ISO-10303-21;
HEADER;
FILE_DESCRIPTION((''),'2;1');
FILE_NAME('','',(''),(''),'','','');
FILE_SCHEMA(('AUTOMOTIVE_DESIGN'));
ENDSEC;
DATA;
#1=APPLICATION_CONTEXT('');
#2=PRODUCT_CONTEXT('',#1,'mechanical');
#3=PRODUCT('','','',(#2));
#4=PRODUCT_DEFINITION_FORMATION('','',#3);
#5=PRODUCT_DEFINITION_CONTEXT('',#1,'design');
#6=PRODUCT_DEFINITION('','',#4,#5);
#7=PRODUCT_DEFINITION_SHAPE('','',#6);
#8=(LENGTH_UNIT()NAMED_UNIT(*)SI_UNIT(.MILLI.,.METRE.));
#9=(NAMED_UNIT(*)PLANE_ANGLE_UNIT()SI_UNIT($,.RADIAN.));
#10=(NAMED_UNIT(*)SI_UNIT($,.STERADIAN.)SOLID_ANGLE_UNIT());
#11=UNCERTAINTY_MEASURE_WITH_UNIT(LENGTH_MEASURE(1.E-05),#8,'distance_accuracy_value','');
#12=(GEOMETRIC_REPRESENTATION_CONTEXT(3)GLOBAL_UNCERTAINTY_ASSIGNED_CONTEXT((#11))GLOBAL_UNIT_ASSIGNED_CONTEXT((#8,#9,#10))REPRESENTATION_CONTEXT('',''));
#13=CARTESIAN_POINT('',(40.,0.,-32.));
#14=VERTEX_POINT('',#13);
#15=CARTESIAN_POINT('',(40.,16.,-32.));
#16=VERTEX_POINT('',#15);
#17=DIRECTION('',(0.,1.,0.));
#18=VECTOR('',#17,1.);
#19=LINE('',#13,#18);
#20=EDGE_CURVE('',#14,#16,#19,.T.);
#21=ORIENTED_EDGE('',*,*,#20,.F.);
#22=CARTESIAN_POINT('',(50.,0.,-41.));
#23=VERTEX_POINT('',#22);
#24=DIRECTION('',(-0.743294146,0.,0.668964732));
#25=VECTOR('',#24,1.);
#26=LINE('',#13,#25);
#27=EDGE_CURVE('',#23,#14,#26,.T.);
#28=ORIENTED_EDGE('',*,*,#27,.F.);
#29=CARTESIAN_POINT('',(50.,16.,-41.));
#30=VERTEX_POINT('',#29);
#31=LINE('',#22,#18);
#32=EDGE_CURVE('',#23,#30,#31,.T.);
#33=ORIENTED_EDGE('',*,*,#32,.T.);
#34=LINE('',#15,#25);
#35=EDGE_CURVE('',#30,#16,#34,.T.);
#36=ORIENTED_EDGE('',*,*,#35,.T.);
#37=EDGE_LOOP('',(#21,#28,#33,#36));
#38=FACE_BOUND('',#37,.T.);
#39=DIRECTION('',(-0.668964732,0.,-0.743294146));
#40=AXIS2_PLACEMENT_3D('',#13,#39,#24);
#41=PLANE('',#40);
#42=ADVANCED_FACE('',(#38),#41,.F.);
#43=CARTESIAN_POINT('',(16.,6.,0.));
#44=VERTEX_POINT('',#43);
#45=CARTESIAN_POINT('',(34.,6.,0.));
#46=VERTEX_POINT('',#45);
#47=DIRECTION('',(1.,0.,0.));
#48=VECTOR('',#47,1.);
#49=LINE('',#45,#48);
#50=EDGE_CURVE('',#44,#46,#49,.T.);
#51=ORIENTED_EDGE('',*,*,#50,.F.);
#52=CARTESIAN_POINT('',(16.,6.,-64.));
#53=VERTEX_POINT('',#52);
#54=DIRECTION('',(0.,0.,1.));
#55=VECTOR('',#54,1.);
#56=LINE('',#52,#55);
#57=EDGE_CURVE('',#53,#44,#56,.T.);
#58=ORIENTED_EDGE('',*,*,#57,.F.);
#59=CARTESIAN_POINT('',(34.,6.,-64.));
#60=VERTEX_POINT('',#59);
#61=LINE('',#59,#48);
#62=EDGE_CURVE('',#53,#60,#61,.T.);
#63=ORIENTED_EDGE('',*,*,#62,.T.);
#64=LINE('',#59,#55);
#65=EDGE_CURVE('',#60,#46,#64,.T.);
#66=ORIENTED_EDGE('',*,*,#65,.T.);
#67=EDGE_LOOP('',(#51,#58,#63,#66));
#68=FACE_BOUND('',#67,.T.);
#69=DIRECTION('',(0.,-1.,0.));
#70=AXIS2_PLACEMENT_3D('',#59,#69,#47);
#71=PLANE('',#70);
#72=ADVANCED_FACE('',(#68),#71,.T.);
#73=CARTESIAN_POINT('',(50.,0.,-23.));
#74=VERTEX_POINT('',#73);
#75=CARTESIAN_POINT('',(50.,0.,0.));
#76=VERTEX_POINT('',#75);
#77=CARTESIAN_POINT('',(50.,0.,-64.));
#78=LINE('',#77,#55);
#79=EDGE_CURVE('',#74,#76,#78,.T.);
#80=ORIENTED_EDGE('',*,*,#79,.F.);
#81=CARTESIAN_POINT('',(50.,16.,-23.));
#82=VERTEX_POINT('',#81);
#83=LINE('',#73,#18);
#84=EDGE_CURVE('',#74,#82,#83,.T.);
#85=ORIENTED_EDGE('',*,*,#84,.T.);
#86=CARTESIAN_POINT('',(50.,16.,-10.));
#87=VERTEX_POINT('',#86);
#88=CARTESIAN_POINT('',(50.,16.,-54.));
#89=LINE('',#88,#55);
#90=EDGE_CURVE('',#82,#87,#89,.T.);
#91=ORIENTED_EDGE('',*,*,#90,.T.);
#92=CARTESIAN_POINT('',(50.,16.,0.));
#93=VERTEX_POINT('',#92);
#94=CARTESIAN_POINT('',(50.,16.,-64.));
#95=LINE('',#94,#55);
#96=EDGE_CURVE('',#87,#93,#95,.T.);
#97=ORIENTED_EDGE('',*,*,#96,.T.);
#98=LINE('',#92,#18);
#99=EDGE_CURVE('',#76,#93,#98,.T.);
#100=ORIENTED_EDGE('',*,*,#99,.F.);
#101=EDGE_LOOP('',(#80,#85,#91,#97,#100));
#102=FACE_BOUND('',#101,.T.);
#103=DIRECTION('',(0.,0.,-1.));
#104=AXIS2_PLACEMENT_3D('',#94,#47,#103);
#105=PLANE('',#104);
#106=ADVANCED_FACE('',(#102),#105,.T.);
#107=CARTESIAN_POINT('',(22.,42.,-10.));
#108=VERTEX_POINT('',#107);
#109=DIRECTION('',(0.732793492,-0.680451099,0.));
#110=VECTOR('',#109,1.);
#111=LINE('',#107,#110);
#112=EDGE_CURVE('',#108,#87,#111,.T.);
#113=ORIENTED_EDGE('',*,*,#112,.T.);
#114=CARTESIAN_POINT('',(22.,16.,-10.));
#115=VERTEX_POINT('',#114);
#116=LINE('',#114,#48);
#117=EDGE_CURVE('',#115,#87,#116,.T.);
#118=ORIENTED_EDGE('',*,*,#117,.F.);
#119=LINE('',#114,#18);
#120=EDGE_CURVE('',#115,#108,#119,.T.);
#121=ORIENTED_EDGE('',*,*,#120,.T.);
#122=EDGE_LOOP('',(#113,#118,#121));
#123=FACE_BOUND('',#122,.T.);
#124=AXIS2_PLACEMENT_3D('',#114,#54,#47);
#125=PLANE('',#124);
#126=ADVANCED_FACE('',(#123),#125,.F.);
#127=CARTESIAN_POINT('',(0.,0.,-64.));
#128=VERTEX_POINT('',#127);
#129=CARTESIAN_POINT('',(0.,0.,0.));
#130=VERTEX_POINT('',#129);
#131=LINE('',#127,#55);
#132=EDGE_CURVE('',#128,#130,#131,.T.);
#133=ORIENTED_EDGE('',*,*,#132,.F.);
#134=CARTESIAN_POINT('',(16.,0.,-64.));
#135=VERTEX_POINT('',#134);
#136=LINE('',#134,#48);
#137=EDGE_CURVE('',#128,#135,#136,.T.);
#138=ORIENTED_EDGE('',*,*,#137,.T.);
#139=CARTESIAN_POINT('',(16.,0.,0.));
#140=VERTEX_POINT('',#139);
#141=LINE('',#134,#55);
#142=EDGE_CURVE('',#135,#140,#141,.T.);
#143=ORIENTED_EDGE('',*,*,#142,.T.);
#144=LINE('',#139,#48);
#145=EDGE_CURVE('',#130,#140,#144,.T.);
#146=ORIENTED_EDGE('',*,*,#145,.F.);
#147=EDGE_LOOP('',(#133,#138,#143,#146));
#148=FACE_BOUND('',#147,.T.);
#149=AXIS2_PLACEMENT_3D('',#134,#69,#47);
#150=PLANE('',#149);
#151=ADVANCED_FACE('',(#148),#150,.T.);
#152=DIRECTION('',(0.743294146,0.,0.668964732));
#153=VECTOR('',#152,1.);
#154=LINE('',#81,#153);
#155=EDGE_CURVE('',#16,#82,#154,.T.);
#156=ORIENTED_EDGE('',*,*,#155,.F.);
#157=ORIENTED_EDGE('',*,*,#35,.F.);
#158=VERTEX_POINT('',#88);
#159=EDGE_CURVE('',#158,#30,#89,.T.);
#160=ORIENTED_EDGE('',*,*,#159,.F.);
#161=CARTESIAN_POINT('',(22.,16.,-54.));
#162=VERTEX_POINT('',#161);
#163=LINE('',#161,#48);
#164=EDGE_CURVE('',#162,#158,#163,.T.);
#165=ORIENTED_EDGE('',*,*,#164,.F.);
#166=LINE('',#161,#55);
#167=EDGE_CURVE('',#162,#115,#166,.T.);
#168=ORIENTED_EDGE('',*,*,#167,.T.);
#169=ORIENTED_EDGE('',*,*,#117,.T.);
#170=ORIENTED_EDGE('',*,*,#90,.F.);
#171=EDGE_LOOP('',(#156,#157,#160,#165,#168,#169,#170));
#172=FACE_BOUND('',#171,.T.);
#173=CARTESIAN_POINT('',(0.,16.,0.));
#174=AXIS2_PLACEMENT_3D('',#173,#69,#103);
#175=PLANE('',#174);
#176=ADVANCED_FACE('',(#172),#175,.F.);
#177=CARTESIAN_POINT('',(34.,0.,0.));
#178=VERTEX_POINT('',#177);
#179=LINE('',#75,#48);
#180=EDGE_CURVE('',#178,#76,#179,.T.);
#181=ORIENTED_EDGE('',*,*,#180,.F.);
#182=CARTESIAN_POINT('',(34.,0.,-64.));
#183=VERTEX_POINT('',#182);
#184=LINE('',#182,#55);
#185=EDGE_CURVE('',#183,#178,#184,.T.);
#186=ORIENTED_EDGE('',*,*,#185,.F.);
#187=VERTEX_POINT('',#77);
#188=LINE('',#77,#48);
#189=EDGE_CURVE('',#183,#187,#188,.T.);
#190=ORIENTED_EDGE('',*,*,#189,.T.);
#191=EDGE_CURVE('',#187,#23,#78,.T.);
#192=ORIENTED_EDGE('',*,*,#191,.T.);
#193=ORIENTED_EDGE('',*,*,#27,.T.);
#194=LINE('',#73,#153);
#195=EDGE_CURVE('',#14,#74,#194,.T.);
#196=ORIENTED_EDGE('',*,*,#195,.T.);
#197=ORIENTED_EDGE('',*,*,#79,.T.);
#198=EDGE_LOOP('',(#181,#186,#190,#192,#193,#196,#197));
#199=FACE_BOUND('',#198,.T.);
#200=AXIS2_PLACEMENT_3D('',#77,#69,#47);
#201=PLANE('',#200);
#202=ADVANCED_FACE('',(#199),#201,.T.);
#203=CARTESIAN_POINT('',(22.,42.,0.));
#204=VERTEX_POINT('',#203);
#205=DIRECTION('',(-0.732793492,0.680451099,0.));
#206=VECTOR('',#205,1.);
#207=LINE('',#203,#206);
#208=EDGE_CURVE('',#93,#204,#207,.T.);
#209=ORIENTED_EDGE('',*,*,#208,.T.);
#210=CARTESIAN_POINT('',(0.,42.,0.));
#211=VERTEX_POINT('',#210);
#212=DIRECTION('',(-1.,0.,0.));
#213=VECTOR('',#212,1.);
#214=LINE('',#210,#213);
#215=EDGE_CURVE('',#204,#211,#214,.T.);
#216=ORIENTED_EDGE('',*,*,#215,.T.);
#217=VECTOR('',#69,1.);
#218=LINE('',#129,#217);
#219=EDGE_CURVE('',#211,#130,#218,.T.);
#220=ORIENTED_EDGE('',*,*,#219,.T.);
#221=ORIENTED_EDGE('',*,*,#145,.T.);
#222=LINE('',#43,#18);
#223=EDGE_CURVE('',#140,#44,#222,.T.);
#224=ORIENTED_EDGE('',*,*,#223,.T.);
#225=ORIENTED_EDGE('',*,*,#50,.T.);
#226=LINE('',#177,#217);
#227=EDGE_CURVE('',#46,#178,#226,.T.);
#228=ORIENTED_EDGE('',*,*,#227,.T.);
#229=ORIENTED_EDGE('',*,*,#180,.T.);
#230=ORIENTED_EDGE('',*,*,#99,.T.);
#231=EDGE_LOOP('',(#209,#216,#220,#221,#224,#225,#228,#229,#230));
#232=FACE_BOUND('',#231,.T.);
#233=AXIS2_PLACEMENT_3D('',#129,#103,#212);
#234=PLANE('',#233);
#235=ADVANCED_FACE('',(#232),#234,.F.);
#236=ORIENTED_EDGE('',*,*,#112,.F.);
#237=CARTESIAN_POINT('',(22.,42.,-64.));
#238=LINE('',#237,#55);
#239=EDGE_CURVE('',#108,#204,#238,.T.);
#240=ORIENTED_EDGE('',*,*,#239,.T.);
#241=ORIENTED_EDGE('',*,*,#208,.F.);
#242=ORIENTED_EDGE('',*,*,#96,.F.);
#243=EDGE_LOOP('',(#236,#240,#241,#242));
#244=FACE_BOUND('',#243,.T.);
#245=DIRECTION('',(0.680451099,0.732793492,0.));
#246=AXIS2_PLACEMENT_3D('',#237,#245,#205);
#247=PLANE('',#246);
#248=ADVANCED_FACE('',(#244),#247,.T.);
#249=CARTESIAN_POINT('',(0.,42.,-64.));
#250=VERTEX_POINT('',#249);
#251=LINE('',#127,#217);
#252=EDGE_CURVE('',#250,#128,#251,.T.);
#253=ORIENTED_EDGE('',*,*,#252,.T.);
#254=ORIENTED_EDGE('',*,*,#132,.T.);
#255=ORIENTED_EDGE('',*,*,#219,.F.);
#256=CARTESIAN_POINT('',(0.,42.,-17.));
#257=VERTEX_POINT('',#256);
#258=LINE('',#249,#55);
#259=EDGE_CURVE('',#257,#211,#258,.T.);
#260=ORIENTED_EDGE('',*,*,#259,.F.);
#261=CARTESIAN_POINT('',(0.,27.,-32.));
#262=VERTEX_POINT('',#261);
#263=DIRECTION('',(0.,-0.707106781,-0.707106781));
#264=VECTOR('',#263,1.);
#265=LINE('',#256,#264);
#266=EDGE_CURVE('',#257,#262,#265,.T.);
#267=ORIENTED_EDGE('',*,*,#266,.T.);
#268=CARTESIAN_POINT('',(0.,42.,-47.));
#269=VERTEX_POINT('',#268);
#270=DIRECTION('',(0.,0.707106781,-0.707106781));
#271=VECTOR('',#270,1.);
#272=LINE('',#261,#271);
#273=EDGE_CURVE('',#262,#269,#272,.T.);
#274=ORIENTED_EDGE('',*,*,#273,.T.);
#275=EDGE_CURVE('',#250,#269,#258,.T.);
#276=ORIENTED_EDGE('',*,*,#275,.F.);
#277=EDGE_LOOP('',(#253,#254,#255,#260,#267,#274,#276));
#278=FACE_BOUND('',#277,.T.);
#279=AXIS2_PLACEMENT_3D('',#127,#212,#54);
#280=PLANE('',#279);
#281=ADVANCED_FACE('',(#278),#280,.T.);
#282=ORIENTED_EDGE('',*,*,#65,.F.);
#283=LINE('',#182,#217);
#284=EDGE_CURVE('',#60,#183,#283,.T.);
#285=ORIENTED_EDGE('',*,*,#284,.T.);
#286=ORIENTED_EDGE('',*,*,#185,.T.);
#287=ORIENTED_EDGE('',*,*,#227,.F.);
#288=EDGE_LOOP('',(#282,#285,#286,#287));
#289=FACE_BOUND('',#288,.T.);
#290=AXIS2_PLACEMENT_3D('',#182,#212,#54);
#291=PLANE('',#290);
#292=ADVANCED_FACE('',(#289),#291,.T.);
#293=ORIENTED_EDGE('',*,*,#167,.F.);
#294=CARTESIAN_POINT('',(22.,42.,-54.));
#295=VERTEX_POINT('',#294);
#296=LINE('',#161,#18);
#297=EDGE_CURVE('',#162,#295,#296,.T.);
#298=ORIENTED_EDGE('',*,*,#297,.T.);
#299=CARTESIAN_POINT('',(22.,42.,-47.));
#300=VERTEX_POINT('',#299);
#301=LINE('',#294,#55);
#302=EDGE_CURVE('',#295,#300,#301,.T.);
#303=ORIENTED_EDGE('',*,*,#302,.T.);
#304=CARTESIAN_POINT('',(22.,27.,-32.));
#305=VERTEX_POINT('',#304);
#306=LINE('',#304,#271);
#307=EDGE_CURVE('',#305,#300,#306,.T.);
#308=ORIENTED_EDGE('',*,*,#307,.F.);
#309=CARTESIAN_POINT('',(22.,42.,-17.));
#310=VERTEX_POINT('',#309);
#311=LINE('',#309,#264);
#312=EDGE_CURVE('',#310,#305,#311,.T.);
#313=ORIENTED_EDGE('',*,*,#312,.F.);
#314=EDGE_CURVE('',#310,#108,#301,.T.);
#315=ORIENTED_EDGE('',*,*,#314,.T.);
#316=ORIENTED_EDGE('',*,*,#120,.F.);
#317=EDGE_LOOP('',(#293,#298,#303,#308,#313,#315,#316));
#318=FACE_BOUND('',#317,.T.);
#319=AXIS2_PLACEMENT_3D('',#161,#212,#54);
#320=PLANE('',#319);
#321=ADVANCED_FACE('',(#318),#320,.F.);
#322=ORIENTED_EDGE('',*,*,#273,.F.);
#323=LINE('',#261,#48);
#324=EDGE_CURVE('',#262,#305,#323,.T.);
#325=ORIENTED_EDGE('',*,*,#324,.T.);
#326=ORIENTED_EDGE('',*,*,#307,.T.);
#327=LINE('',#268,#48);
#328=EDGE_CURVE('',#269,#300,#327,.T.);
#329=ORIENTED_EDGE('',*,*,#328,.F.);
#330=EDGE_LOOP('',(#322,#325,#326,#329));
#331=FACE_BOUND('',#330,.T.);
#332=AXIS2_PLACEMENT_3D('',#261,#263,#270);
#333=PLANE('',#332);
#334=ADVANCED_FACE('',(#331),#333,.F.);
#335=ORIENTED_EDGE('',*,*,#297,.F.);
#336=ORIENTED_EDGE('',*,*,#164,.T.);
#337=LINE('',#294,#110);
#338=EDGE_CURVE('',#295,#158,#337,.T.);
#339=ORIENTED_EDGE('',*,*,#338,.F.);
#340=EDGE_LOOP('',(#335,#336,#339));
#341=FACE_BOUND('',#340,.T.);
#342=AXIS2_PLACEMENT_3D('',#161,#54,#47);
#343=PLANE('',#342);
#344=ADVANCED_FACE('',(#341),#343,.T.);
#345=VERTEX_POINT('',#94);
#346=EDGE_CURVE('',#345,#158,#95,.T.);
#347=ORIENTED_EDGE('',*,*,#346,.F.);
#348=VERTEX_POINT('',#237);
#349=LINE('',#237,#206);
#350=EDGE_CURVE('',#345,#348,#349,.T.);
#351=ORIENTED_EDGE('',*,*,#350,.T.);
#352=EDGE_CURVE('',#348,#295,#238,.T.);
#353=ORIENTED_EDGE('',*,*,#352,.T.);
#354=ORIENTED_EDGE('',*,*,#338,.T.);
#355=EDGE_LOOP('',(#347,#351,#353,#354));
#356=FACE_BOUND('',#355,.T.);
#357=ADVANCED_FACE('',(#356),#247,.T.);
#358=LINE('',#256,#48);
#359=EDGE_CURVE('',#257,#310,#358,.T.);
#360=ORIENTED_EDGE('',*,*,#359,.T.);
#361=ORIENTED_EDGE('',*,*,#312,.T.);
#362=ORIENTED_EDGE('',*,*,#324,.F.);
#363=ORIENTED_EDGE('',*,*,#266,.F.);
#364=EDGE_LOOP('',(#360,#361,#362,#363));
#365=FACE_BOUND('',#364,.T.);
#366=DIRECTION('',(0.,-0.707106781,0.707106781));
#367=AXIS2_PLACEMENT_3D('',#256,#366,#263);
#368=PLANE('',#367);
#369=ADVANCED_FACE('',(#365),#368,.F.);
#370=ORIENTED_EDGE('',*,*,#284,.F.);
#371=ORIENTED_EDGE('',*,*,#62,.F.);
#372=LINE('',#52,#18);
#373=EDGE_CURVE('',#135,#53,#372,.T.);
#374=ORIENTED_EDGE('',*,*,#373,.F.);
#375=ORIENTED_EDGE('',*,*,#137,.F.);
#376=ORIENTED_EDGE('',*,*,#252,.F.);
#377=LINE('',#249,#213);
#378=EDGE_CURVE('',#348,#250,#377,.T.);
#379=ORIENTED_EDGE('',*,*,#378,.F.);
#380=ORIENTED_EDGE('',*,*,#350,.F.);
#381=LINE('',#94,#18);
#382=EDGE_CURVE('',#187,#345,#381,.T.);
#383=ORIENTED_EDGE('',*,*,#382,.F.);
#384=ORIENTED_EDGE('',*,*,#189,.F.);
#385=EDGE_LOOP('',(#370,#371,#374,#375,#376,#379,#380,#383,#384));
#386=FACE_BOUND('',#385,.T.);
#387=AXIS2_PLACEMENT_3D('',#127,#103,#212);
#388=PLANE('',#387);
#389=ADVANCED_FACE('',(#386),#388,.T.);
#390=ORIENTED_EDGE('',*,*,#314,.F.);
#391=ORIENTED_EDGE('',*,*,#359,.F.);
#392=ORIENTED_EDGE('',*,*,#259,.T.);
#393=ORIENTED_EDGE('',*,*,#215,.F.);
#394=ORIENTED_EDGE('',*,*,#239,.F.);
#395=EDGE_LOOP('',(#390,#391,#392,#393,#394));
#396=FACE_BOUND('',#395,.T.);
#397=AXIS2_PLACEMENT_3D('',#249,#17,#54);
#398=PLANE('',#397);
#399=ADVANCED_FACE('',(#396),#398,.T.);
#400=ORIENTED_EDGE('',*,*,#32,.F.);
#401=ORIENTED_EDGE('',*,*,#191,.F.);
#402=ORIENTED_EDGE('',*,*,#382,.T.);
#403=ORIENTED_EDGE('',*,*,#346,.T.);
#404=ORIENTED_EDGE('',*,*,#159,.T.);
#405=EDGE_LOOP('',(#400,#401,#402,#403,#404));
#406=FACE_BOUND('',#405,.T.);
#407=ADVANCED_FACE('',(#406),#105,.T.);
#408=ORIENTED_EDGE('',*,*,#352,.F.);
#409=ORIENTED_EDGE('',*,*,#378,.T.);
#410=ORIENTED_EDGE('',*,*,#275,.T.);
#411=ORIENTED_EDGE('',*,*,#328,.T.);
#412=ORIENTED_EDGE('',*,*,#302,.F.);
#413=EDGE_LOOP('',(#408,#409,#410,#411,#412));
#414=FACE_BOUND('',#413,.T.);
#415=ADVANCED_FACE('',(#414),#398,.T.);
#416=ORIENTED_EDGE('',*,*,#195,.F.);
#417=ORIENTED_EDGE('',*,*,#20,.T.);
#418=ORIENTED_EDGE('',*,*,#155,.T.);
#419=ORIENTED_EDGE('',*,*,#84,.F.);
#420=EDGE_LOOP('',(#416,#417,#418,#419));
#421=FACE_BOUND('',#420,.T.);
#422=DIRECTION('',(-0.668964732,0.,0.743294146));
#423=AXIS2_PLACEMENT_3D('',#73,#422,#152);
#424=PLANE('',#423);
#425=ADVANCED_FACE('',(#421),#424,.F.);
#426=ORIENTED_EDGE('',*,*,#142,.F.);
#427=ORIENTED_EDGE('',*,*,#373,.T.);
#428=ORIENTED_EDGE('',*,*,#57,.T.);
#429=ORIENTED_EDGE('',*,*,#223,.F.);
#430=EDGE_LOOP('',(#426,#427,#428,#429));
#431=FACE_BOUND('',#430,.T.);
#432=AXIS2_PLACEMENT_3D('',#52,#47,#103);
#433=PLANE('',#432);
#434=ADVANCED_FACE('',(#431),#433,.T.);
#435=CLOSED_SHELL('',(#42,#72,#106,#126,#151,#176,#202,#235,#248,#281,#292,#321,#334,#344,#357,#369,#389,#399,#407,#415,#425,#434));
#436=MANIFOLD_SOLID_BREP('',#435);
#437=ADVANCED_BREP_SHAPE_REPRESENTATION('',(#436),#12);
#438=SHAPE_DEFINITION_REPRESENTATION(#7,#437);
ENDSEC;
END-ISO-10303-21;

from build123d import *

# Parameters (mm, degrees)
BOSS_EXTRUDE2_DEPTH = 64
SKETCH3_W           = 28
SKETCH3_H           = 44
CUT_EXTRUDE3_DEPTH  = 26
CUT_EXTRUDE4_DEPTH  = 82.510735489
CUT_EXTRUDE6_DEPTH  = 86.276022421


with BuildPart() as part:
    # Sketch1 → Boss-Extrude2 (new body)
    with BuildSketch(Plane.XY):
        Polygon((0, 0), (0, 42), (22, 42), (50, 16), (50, 0), (34, 0), (34, 6), (16, 6), (16, 0), align=None)
    extrude(amount=-BOSS_EXTRUDE2_DEPTH)

    # Sketch3 → Cut-Extrude3 (cut)
    with BuildSketch(Plane(origin=(0, 42, 0), x_dir=(1, 0, 0), z_dir=(0, 1, 0))):
        with Locations((36, 32)):
            Rectangle(SKETCH3_W, SKETCH3_H)
    extrude(amount=-CUT_EXTRUDE3_DEPTH, mode=Mode.SUBTRACT)

    # Sketch5 → Cut-Extrude4 (cut, through all)
    with BuildSketch(Plane(origin=(22, 0, 0), x_dir=(0, 0, -1), z_dir=(1, 0, 0))):
        Polygon((32, 27), (47, 42), (17, 42), align=None)
    extrude(amount=-CUT_EXTRUDE4_DEPTH, mode=Mode.SUBTRACT)

    # Sketch7 → Cut-Extrude6 (cut, through all)
    with BuildSketch(Plane(origin=(0, 16, 0), x_dir=(1, 0, 0), z_dir=(0, 1, 0))):
        Polygon((40, 32), (50, 41), (50, 23), align=None)
    extrude(amount=-CUT_EXTRUDE6_DEPTH, mode=Mode.SUBTRACT)


solid = part.part
